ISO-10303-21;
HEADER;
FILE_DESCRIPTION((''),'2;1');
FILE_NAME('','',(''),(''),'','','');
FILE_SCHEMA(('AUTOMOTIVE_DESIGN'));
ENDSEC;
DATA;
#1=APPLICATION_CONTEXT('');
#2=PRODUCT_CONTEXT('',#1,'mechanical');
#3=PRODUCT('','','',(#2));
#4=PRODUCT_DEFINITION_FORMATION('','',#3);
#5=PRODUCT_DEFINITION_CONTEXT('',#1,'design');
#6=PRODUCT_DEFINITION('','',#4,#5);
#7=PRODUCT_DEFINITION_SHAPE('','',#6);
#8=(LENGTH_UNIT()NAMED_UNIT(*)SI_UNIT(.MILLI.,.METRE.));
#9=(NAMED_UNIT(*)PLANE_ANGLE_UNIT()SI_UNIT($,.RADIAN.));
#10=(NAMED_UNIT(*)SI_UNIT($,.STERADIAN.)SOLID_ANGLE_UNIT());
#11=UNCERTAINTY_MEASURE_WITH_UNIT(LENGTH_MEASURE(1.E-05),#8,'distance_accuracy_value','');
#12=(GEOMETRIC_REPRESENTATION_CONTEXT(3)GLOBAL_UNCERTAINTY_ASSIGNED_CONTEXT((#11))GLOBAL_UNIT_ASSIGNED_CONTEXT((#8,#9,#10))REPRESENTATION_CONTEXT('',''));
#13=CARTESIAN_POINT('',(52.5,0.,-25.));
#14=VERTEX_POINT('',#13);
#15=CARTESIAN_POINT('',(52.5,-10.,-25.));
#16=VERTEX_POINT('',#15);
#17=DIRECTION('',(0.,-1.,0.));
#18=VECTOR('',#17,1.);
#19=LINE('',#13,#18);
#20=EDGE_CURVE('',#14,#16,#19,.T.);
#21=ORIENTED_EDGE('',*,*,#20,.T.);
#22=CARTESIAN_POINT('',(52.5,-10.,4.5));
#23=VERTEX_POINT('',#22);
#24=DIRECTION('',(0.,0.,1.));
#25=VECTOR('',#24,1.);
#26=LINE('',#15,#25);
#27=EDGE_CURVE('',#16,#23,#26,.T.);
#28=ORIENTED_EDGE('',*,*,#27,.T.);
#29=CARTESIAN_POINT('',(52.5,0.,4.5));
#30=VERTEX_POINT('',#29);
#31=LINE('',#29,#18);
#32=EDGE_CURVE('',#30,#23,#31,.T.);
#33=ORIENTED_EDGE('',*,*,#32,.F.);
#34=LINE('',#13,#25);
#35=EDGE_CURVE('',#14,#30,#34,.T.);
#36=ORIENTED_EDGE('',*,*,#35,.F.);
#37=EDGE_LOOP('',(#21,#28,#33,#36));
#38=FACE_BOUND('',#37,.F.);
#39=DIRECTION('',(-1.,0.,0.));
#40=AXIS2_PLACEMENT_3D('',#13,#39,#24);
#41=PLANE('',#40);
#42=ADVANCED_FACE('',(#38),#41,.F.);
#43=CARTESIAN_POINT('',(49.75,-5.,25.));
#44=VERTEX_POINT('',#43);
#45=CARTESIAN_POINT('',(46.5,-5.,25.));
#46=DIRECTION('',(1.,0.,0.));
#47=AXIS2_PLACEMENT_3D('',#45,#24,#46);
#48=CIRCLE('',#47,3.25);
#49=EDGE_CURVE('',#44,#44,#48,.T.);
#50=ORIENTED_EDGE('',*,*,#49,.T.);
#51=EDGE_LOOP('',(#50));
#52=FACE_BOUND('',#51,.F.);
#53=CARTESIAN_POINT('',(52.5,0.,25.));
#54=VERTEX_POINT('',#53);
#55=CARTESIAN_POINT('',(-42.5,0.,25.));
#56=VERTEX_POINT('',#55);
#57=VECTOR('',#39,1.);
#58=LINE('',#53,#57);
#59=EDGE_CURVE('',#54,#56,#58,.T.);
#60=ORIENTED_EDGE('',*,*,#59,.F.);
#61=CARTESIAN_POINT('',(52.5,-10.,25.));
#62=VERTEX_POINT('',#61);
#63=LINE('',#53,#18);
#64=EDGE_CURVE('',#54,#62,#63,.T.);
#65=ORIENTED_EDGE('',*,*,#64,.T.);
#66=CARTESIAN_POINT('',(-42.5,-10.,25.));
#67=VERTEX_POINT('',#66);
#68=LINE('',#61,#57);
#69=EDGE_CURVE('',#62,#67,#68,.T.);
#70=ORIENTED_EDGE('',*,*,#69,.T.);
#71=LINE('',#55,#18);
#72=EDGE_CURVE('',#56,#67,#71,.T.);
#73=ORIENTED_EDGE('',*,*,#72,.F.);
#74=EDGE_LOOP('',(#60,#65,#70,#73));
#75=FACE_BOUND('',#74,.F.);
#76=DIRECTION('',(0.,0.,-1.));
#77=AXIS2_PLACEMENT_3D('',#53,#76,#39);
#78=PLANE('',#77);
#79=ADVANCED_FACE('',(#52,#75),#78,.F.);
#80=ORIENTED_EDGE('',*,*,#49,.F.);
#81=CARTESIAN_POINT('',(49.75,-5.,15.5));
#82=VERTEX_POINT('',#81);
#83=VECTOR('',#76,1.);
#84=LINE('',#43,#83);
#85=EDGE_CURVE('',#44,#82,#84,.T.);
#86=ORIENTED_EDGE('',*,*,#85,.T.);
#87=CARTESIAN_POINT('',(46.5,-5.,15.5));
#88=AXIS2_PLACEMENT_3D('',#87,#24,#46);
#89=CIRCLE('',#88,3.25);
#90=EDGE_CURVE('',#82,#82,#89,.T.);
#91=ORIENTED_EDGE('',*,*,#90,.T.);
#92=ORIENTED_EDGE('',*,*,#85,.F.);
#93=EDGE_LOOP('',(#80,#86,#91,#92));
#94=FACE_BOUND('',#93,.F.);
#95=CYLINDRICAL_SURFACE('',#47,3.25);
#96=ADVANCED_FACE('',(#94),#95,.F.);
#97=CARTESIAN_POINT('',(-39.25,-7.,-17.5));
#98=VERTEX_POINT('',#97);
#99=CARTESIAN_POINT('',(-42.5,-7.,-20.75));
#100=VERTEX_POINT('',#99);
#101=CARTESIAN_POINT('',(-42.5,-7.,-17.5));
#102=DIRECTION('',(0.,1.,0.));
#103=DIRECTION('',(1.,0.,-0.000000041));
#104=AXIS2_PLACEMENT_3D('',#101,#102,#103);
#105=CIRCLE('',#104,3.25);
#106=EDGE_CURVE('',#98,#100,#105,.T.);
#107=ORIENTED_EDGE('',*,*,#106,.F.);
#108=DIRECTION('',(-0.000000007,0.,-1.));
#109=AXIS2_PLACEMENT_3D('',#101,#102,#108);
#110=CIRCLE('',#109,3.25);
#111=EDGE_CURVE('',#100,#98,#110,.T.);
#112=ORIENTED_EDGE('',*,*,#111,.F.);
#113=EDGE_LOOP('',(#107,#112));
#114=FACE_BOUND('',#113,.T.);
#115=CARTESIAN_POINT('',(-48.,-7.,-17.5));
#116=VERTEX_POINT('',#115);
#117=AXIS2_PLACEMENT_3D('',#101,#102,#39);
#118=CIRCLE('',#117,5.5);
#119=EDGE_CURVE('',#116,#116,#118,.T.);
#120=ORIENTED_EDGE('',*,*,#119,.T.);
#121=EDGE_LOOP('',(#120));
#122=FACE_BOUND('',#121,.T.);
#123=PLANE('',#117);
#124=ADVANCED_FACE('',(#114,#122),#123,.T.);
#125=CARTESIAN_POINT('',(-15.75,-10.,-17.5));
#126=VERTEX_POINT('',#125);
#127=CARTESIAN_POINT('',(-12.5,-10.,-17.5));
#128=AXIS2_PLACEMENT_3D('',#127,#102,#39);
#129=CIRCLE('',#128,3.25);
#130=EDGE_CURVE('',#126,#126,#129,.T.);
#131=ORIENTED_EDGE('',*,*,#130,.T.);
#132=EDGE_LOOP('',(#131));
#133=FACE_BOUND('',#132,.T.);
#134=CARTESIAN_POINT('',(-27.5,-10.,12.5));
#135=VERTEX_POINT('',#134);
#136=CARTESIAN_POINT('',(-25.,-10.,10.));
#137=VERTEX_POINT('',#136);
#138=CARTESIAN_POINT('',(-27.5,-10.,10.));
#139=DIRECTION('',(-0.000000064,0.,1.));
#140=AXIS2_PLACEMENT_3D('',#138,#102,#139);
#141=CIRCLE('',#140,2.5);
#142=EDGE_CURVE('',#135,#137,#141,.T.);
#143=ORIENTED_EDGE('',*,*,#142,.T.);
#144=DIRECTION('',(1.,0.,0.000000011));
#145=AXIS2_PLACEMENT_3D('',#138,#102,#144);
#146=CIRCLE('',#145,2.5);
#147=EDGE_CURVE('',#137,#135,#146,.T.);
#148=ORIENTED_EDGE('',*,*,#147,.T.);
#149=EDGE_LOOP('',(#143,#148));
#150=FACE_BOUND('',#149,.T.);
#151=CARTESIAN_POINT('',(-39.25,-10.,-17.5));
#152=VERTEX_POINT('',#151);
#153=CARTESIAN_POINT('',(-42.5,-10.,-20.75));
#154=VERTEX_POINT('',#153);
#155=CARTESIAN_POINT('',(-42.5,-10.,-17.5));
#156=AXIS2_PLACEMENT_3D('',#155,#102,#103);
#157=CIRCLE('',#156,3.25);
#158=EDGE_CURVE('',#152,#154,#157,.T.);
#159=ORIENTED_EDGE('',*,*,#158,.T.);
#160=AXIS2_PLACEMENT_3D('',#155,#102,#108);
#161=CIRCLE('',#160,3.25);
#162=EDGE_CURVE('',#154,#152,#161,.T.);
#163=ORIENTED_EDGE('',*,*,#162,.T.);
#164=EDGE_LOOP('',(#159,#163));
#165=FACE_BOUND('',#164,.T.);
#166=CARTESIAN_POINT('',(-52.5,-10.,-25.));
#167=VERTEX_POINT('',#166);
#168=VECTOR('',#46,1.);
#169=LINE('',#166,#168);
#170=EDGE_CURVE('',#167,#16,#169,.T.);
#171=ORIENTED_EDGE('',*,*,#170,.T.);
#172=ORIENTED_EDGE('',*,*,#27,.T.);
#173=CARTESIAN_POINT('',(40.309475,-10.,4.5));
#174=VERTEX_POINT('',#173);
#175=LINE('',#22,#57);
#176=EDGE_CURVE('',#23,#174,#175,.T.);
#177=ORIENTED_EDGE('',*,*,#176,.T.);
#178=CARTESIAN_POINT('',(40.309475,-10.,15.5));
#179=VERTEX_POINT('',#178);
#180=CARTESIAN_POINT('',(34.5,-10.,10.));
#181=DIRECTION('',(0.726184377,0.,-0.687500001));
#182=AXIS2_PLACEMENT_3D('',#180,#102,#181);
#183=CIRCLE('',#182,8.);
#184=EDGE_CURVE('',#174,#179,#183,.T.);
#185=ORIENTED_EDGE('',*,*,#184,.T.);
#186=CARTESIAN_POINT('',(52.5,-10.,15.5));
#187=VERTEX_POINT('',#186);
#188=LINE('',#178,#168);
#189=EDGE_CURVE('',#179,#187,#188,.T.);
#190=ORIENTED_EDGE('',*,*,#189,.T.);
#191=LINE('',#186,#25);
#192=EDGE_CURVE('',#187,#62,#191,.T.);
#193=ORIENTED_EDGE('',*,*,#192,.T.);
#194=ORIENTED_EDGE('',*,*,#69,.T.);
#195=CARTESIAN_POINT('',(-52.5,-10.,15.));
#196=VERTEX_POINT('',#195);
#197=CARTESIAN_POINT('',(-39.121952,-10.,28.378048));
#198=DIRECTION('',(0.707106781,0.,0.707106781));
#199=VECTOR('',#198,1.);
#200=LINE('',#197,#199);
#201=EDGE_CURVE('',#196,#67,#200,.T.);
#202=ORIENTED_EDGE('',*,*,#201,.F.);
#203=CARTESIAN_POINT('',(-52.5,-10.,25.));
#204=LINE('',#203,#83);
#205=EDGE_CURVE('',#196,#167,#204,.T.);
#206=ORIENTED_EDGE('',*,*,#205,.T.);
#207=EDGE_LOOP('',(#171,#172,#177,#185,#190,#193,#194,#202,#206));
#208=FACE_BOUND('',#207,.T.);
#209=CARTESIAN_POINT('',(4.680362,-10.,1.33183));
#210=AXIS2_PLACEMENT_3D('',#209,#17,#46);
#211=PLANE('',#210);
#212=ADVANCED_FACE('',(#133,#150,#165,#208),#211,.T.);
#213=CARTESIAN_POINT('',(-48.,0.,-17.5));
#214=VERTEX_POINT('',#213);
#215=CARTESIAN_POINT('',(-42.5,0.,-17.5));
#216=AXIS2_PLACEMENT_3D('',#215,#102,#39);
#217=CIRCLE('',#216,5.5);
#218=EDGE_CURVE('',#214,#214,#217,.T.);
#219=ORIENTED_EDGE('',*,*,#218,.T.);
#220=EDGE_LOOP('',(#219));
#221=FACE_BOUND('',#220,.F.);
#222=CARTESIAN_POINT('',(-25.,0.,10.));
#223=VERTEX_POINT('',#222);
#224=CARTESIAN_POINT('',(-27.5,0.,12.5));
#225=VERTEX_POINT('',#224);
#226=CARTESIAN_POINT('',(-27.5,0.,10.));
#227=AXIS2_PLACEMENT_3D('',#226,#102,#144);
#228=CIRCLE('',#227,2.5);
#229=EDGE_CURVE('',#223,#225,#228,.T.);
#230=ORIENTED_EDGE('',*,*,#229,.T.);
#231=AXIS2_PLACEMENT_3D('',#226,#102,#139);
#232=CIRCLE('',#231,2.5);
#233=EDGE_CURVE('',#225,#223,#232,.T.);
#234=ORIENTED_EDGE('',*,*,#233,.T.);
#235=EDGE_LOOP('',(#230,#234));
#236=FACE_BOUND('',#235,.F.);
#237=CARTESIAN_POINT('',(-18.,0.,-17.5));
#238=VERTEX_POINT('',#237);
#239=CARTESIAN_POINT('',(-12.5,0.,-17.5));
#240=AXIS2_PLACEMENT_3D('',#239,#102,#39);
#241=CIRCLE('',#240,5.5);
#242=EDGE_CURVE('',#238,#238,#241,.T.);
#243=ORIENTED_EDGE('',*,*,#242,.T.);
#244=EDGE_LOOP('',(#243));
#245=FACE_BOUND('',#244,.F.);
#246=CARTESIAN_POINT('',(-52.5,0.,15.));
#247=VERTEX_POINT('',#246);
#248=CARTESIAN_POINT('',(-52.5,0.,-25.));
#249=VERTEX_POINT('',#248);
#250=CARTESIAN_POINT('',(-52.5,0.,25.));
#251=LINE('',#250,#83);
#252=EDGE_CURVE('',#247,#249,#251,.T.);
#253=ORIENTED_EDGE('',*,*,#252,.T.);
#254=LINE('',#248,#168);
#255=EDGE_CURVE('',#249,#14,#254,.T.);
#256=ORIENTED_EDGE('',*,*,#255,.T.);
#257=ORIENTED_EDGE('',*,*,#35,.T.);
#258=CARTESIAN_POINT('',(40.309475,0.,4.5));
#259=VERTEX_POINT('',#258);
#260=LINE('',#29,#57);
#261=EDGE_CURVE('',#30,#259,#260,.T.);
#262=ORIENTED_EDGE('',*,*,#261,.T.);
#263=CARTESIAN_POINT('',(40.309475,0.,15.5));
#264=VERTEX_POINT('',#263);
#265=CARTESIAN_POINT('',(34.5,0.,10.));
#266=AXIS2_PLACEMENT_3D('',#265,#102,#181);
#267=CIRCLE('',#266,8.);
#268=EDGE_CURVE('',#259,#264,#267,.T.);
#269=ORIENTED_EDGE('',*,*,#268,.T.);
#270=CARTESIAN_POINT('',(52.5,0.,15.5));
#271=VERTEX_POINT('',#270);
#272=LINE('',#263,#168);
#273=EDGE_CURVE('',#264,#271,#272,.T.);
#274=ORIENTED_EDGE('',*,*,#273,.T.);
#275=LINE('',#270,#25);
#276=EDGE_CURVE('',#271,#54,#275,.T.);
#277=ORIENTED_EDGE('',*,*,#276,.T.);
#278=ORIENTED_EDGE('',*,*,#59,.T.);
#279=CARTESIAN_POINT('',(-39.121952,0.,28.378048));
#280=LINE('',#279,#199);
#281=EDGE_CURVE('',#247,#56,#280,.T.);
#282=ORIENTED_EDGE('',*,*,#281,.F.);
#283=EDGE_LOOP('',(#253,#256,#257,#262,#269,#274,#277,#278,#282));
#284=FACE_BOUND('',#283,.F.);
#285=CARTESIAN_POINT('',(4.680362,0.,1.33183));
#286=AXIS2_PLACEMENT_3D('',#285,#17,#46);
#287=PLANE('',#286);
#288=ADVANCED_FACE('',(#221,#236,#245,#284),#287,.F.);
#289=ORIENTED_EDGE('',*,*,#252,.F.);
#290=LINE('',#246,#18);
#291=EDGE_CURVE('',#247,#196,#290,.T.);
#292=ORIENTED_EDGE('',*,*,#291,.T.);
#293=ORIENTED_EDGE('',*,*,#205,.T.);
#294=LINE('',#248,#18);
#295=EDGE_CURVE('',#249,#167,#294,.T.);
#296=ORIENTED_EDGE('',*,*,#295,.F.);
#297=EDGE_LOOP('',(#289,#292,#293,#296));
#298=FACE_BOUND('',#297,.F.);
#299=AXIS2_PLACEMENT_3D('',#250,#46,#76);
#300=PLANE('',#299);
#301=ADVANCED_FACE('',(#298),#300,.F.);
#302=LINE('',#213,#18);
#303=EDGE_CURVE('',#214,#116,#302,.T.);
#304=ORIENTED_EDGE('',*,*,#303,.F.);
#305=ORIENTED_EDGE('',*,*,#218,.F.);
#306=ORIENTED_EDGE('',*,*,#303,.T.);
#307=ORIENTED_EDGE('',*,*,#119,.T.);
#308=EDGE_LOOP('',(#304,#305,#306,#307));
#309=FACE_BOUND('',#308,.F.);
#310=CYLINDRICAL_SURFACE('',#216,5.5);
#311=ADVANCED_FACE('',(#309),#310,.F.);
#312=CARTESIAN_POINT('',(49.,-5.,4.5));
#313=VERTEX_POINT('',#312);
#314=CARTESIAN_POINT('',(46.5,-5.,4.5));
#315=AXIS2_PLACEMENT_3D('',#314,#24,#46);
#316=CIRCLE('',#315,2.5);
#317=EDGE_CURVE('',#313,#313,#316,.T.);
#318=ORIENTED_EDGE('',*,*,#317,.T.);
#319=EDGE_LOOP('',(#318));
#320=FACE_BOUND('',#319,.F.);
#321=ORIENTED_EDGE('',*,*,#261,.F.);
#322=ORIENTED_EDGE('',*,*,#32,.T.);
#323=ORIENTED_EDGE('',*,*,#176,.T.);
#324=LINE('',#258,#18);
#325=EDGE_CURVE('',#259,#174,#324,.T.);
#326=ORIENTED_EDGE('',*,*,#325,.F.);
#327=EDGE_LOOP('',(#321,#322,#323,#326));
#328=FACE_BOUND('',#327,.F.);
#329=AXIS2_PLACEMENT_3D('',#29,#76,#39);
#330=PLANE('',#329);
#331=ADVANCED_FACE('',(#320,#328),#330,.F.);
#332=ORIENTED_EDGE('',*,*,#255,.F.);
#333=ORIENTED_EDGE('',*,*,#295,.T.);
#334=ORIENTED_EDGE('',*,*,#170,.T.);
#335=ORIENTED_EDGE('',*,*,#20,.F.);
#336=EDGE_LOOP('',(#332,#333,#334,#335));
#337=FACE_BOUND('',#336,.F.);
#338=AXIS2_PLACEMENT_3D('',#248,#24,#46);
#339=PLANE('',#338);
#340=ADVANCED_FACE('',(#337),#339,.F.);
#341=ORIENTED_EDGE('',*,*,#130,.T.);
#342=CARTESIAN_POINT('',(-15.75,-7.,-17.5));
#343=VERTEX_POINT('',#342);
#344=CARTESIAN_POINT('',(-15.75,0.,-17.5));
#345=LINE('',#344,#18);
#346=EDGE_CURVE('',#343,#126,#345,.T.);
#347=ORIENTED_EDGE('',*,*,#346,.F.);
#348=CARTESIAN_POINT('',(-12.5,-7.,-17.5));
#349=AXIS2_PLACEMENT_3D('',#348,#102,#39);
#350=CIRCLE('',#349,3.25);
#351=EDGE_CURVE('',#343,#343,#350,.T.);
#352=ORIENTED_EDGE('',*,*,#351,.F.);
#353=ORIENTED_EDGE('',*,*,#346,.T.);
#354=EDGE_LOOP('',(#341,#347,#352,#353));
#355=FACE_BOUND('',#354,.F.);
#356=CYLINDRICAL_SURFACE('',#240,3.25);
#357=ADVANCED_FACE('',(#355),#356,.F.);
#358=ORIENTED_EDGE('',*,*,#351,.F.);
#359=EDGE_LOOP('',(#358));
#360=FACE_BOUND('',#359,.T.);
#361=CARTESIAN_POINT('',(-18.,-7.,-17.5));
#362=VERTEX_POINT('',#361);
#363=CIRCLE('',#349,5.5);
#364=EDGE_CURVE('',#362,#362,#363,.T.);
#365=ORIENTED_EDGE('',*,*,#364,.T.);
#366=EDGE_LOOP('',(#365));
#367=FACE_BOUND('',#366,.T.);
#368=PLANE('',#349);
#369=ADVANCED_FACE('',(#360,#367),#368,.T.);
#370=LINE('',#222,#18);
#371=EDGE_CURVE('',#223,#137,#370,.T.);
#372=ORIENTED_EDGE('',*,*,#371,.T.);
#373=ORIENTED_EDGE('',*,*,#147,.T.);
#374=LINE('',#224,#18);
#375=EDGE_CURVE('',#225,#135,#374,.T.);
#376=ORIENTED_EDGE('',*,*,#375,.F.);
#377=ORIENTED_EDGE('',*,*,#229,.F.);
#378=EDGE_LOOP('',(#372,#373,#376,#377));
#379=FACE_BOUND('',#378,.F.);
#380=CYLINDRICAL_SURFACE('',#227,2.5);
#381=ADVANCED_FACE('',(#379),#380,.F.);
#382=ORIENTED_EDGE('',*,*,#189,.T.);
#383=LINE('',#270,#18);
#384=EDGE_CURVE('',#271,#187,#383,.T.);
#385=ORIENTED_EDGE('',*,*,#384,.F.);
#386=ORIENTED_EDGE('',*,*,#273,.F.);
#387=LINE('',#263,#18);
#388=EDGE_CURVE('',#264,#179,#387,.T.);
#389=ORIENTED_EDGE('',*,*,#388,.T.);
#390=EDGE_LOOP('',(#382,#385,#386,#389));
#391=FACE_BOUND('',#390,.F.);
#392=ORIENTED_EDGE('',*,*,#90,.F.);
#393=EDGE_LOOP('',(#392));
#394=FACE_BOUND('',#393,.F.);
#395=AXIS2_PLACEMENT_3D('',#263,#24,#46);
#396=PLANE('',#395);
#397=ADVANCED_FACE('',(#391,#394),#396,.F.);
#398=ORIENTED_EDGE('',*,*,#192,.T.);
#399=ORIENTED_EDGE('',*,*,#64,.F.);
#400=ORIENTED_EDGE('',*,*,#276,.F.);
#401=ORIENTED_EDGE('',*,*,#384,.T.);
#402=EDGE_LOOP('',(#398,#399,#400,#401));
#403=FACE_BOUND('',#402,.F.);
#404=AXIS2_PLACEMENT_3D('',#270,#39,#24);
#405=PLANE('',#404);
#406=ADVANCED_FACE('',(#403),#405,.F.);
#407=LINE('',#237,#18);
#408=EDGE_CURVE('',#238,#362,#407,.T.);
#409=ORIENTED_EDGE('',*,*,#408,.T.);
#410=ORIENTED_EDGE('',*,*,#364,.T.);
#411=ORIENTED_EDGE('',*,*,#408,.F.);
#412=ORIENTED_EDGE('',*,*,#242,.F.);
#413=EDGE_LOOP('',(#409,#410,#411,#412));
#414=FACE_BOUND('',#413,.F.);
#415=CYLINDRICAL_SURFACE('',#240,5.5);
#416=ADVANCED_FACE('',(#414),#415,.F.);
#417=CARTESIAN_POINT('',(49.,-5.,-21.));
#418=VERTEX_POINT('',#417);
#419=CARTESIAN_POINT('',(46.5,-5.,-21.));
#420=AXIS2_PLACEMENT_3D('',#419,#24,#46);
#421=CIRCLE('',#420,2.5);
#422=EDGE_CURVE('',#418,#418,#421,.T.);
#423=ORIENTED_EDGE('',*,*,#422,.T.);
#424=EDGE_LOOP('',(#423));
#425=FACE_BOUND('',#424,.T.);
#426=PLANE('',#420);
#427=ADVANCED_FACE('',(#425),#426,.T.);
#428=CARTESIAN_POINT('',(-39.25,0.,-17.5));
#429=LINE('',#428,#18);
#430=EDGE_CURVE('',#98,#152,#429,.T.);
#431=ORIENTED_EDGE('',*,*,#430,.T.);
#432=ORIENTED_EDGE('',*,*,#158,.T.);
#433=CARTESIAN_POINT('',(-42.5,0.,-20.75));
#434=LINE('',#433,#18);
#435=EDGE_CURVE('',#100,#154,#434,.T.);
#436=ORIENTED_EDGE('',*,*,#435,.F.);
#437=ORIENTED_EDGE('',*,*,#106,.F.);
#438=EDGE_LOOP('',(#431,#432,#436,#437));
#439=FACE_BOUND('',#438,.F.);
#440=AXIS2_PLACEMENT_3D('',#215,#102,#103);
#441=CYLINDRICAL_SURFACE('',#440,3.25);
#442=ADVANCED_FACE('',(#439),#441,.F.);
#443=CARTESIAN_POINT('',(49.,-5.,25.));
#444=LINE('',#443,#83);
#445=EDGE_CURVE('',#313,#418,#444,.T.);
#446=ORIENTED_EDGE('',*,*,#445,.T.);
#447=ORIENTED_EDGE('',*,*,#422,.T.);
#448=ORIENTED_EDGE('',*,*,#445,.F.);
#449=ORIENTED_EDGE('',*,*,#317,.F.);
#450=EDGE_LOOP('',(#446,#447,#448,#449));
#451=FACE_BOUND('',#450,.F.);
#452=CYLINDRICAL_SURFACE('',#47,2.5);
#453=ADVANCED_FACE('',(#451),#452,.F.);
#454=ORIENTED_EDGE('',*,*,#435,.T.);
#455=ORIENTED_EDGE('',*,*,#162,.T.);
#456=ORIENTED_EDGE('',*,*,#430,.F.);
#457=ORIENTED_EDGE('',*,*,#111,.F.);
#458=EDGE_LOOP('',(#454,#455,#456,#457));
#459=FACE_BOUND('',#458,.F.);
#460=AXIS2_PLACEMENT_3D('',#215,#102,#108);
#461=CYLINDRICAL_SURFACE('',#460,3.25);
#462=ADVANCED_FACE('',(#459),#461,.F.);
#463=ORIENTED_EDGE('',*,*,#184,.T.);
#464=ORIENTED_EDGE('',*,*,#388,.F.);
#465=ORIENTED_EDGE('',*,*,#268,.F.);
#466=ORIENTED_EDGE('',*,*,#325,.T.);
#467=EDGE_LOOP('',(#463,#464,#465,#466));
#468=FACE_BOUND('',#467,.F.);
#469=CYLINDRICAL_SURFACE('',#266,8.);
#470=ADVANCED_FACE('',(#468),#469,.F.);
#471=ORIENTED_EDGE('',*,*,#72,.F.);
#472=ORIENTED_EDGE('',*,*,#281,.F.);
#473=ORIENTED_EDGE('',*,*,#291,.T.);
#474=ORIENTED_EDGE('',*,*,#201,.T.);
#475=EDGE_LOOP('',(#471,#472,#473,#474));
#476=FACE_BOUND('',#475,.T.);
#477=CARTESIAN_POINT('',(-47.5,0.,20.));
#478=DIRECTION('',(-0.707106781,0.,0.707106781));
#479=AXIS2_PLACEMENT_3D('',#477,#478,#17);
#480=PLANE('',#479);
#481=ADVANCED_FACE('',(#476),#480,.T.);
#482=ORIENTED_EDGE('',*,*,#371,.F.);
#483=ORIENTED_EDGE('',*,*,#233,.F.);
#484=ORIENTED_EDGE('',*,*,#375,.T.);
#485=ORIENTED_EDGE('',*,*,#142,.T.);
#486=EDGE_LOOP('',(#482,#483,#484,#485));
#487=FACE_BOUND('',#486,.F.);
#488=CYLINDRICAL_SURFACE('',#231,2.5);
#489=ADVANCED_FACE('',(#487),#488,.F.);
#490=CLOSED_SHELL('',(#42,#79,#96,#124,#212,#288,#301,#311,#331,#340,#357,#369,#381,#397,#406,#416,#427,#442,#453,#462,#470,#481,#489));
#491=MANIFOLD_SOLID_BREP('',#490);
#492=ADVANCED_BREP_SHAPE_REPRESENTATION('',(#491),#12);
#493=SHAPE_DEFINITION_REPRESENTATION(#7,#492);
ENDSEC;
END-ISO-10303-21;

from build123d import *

# Parameters (mm, degrees)
F1_DEPTH = 10
F2_SIZE  = 10
F3_R     = 5.5
F4_DEPTH = 7
F5_R     = 3.25
F6_DEPTH = 15
F7_R     = 2.5
F8_DEPTH = 46


with BuildPart() as f1:
    # F0 (on Front) → F1 (new body)
    with BuildSketch(Plane.XZ):
        with BuildLine():
            Line((-52.5, 25), (-52.5, -25))
            Line((-52.5, -25), (-42.5, -25))
            Line((-42.5, -25), (52.5, -25))
            Line((52.5, -25), (52.5, 4.5))
            Line((52.5, 4.5), (47.240064, 4.5))
            Line((47.240064, 4.5), (40.309475, 4.5))
            ThreePointArc((40.309475, 4.5), (26.5, 10), (40.309475, 15.5))
            Line((40.309475, 15.5), (47.240064, 15.5))
            Line((47.240064, 15.5), (52.5, 15.5))
            Line((52.5, 15.5), (52.5, 25))
            Line((52.5, 25), (-27.5, 25))
            Line((-27.5, 25), (-52.5, 25))
        make_face()
        with BuildLine():
            ThreePointArc((-39.25, -17.5), (-40.201903, -19.798097), (-42.5, -20.75))
            ThreePointArc((-42.5, -20.75), (-44.798097, -15.201903), (-39.25, -17.5))
        make_face(mode=Mode.SUBTRACT)
        with BuildLine():
            ThreePointArc((-9.25, -17.5), (-12.5, -20.75), (-15.75, -17.5))
            ThreePointArc((-15.75, -17.5), (-12.5, -14.25), (-9.25, -17.5))
        make_face(mode=Mode.SUBTRACT)
        with BuildLine():
            ThreePointArc((-25, 10), (-29.267767, 8.232233), (-27.5, 12.5))
            ThreePointArc((-27.5, 12.5), (-25.732233, 11.767767), (-25, 10))
        make_face(mode=Mode.SUBTRACT)
    extrude(amount=F1_DEPTH)

    # F2
    f2_edges = [f1.edges().sort_by_distance(p)[0] for p in [
        (-52.5, -5, 25),
    ]]
    chamfer(f2_edges, length=F2_SIZE)

    # F3 (on face) → F4 (cut)
    with BuildSketch(Plane(origin=(0, 0, 0), x_dir=(-1, 0, 0), z_dir=(0, 1, 0))):
        with Locations((12.5, -17.5)):
            Circle(F3_R)
        with Locations((42.5, -17.5)):
            Circle(F3_R)
    extrude(amount=-F4_DEPTH, mode=Mode.SUBTRACT)

    # F5 (on face) → F6 (cut)
    with BuildSketch(Plane.XY.offset(25)):
        with Locations((46.5, -5)):
            Circle(F5_R)
    extrude(amount=-F6_DEPTH, mode=Mode.SUBTRACT)

    # F7 (on face) → F8 (cut)
    with BuildSketch(Plane.XY.offset(25)):
        with Locations((46.5, -5)):
            Circle(F7_R)
    extrude(amount=-F8_DEPTH, mode=Mode.SUBTRACT)


solid = f1.part
